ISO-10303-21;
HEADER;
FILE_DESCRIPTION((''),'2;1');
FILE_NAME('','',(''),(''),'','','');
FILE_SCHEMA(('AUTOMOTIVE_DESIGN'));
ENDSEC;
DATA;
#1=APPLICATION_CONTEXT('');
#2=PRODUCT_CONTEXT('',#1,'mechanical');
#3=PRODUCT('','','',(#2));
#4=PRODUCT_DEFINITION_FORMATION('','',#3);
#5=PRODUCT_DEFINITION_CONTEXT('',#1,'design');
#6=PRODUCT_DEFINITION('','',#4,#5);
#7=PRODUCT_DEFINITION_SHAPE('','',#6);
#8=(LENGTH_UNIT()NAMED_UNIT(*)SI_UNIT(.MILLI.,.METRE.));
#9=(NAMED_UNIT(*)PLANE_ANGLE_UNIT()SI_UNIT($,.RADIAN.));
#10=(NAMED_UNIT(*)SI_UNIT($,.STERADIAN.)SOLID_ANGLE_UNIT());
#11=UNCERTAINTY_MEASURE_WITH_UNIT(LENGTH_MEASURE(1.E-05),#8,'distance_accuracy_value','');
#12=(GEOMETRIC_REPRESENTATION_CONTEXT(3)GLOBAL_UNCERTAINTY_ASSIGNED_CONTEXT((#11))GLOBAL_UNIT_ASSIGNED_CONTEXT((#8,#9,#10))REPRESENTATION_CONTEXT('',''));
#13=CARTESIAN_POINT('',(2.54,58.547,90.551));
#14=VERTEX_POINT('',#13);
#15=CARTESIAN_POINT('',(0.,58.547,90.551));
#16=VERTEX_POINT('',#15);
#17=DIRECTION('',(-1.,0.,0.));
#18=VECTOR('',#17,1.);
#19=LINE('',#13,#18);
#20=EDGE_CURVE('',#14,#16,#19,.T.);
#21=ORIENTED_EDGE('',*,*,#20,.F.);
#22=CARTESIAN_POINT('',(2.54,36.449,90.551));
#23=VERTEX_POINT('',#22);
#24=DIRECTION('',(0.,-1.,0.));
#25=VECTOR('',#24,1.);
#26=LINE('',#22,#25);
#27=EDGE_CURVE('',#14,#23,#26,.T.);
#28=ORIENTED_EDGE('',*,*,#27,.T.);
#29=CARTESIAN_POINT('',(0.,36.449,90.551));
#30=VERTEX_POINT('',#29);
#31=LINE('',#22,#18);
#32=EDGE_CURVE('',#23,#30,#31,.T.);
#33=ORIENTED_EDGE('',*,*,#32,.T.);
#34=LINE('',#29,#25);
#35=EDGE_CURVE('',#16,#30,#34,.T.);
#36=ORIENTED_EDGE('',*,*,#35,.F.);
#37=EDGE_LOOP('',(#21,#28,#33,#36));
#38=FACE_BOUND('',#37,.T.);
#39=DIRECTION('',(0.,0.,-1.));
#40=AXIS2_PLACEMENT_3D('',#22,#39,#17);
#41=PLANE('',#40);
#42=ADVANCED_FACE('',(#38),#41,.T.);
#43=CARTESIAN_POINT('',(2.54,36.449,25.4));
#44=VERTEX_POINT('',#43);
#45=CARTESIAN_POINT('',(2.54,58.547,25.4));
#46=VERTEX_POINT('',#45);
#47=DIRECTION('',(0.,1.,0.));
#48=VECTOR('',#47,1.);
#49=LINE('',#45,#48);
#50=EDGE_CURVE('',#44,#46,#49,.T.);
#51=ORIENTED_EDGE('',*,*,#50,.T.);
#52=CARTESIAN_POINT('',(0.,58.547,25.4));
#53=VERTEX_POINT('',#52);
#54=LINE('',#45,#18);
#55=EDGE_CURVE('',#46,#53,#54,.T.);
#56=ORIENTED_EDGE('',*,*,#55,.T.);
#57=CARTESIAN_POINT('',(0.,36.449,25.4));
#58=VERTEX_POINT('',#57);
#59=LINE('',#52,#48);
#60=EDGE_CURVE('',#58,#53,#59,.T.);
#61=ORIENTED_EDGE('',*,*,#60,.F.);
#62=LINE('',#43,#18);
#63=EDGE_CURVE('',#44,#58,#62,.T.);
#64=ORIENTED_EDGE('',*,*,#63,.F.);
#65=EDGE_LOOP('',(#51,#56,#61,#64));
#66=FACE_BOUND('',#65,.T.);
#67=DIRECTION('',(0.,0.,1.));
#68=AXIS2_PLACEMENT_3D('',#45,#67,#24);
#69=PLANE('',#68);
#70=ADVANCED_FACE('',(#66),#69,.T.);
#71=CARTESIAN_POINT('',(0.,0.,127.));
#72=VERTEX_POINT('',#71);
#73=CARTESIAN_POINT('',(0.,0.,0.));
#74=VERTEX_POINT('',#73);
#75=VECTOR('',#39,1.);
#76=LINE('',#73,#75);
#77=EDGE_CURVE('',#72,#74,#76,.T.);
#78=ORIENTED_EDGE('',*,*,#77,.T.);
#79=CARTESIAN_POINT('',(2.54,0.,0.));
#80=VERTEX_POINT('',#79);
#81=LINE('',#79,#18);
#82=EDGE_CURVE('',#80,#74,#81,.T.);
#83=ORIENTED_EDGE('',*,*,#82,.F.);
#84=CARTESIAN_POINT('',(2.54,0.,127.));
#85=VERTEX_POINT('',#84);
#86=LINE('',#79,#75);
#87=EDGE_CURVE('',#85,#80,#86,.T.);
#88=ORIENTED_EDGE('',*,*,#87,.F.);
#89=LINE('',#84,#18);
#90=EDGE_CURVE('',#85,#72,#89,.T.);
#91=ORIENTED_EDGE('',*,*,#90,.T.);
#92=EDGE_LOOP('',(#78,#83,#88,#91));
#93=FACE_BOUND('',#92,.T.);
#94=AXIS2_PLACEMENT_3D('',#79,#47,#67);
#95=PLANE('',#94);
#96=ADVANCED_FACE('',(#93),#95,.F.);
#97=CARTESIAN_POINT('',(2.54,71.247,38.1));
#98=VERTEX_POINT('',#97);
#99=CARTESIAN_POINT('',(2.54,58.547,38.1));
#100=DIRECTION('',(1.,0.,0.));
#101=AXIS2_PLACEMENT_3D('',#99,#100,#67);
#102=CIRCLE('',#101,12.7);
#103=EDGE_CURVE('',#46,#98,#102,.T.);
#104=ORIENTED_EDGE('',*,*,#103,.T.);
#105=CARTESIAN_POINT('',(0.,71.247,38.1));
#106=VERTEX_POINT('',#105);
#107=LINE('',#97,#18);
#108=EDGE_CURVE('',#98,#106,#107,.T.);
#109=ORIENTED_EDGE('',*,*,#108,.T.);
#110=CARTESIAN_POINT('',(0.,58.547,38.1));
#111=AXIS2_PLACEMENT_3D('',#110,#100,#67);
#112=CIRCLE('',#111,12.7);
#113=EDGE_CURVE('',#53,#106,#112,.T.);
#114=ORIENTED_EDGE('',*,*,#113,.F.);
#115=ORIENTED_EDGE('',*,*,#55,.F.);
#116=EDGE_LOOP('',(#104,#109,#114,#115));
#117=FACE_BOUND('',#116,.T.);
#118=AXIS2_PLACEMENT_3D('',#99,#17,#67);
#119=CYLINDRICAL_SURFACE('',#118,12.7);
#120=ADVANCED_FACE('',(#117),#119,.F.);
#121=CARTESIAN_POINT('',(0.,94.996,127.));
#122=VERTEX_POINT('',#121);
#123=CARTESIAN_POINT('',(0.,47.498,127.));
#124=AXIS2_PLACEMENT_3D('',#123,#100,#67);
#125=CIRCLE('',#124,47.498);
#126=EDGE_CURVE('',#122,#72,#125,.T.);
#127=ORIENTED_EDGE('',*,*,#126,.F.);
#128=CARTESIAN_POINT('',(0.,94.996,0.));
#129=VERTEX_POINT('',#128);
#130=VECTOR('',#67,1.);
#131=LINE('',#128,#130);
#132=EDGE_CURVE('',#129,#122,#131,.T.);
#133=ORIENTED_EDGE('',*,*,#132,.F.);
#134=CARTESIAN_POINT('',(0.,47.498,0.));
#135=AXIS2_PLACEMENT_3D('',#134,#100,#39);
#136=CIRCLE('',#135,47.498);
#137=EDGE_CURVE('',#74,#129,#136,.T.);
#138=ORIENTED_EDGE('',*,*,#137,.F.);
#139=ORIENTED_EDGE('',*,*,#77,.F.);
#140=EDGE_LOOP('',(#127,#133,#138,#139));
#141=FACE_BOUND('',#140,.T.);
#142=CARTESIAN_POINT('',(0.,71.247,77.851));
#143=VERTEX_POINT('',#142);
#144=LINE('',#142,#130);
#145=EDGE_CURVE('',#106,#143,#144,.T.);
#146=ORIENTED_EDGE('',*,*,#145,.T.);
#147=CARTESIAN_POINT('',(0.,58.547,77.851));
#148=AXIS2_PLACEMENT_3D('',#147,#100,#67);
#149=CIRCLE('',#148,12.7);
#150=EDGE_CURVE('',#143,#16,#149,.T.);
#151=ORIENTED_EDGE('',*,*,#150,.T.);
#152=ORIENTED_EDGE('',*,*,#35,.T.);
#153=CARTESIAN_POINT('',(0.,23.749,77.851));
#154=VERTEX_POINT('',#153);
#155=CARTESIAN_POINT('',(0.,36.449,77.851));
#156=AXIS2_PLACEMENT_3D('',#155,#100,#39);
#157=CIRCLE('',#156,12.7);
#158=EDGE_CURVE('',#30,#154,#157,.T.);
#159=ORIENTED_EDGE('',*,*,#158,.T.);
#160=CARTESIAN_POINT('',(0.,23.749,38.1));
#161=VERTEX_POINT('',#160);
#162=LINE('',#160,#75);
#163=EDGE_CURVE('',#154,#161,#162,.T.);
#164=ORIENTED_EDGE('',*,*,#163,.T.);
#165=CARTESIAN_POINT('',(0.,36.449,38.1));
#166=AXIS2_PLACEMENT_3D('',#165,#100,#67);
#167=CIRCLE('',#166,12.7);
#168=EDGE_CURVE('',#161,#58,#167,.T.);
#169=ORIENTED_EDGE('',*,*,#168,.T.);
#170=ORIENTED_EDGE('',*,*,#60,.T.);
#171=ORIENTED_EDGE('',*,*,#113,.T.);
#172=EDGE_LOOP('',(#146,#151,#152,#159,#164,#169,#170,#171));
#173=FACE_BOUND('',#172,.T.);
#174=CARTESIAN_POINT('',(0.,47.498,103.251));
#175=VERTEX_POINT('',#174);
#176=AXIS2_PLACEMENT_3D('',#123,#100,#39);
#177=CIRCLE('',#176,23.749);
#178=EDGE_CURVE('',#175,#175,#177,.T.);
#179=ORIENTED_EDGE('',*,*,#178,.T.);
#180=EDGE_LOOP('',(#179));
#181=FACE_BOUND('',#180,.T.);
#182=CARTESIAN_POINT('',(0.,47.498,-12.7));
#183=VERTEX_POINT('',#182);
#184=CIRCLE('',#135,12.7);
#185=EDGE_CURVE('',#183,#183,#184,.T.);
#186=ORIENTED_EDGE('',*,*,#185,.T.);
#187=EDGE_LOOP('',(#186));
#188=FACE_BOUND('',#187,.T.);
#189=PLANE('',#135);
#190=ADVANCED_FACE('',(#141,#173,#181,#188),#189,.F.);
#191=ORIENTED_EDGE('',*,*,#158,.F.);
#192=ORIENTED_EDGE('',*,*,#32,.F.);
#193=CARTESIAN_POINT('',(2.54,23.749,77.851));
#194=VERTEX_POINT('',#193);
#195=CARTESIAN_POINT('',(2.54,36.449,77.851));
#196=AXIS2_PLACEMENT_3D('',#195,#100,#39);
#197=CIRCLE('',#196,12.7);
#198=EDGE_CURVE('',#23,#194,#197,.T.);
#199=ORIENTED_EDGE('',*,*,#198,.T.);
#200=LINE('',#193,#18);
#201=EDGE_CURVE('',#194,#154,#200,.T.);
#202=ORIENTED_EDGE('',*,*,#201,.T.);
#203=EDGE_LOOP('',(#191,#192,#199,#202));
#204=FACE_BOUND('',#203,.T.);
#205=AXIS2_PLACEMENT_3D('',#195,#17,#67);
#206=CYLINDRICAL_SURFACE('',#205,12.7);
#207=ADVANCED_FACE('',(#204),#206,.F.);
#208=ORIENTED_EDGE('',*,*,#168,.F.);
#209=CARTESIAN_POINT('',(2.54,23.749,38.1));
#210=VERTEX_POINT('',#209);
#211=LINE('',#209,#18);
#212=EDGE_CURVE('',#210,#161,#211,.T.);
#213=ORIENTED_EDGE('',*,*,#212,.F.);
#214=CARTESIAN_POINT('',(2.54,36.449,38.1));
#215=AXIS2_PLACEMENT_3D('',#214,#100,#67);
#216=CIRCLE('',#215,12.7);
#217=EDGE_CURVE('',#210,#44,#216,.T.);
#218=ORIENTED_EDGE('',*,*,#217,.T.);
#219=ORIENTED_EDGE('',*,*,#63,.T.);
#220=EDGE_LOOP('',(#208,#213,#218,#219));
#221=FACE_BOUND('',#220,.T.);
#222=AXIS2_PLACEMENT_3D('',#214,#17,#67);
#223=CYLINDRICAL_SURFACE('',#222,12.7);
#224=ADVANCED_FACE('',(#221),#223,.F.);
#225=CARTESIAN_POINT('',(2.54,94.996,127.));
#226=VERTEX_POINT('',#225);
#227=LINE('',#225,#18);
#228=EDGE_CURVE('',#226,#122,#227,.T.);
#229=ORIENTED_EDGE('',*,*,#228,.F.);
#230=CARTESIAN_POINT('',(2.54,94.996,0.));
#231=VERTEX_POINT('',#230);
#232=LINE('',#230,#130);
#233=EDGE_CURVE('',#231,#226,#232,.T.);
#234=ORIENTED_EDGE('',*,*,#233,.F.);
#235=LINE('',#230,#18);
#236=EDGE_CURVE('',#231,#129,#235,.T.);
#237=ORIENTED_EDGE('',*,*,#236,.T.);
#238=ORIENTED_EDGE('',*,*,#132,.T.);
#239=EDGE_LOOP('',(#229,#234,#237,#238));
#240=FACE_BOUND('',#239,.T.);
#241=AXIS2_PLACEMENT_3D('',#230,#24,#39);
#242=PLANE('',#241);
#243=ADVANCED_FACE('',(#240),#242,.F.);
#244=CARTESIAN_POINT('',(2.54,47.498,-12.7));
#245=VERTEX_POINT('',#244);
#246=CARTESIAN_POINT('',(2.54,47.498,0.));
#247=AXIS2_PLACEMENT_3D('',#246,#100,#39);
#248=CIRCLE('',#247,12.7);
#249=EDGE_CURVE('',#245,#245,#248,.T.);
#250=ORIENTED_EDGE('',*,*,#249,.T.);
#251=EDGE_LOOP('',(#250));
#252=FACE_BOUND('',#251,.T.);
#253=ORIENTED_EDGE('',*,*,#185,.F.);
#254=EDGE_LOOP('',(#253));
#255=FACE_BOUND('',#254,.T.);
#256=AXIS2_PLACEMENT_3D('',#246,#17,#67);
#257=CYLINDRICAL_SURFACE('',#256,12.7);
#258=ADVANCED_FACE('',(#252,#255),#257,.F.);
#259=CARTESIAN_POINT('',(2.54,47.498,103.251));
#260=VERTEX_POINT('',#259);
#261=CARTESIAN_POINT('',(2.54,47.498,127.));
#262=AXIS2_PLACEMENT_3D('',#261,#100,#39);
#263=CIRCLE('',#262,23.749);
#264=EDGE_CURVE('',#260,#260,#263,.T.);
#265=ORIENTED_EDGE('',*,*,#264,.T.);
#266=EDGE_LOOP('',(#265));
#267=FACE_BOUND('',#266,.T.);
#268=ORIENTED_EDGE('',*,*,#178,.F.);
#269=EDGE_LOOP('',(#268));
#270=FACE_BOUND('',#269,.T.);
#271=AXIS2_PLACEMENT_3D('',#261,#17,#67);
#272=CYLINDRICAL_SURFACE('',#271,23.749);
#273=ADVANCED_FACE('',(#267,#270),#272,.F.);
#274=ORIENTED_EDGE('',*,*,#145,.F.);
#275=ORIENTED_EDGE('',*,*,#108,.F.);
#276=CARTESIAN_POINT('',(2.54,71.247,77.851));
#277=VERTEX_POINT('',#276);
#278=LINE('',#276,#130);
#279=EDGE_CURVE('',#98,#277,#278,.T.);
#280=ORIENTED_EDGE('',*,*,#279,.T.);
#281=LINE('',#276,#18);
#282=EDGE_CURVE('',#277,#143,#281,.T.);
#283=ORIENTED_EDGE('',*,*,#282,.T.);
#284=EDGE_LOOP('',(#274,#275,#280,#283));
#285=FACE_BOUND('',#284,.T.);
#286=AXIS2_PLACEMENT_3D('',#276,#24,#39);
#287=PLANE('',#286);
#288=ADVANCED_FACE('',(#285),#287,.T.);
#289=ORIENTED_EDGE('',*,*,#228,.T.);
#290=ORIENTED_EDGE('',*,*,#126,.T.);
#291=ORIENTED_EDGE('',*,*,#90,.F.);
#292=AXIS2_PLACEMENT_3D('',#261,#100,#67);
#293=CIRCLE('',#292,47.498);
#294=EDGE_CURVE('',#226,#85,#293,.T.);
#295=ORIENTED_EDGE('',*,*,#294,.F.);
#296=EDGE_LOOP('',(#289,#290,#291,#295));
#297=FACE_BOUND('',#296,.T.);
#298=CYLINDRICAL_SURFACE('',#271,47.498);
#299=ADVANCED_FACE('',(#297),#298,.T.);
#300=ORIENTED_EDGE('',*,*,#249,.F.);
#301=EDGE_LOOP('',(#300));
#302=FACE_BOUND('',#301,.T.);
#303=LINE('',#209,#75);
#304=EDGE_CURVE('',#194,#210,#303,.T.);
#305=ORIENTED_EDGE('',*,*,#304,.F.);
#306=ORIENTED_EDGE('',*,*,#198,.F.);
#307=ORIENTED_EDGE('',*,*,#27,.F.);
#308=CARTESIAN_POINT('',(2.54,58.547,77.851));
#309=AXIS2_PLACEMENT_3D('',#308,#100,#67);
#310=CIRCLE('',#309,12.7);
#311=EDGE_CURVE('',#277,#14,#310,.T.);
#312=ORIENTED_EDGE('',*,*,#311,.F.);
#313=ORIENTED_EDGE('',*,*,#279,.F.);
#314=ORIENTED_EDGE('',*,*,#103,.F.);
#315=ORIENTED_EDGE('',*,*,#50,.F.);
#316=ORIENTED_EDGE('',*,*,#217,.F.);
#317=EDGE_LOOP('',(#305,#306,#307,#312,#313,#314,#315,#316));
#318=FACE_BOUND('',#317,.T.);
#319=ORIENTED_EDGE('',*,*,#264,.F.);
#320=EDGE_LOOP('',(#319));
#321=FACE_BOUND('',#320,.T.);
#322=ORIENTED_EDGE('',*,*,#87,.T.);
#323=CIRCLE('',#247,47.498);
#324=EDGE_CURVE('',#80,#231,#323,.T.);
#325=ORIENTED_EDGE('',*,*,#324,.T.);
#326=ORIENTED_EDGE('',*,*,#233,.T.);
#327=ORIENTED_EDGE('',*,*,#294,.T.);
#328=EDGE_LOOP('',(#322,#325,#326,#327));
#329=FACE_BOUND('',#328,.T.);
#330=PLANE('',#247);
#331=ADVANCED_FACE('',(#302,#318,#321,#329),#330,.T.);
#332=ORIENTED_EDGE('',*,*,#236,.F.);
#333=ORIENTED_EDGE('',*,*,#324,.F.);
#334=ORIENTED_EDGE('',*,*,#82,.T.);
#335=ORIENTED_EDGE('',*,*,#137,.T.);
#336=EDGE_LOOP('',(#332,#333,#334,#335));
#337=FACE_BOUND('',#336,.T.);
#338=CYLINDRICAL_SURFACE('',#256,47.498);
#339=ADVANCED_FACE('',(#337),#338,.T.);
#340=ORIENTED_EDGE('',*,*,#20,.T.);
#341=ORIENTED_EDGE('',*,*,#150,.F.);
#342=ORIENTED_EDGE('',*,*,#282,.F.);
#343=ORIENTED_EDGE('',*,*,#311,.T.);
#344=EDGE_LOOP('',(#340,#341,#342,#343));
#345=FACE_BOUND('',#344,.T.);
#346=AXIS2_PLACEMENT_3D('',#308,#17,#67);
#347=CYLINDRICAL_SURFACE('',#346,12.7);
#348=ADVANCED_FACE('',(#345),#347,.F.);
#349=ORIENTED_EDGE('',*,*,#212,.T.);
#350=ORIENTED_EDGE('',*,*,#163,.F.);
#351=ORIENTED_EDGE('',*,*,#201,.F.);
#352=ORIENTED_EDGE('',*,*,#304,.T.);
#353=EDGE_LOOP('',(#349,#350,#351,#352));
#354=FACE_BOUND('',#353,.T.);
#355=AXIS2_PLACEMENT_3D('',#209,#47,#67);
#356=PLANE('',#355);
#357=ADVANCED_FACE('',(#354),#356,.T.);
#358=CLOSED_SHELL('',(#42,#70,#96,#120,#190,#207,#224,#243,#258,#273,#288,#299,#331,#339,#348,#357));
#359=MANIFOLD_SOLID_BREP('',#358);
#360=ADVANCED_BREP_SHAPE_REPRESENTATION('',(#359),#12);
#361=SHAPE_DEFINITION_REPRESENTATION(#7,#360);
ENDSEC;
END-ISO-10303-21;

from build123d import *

# Parameters (mm, degrees)
SKETCH1_R           = 12.7
SKETCH1_R_2         = 23.749
BOSS_EXTRUDE2_DEPTH = 2.54


with BuildPart() as part:
    # Sketch1 → Boss-Extrude2 (new body)
    with BuildSketch(Plane.YZ):
        with BuildLine():
            Line((0, 0), (0, 127))
            ThreePointArc((0, 127), (47.498, 174.498), (94.996, 127))
            Line((94.996, 127), (94.996, 0))
            ThreePointArc((94.996, 0), (47.498, -47.498), (0, 0))
        make_face()
        with Locations(Location((47.498, 0, 0), (0, 0, 270))):
            Circle(SKETCH1_R, mode=Mode.SUBTRACT)
        with Locations(Location((47.498, 127, 0), (0, 0, 270))):
            Circle(SKETCH1_R_2, mode=Mode.SUBTRACT)
        with BuildLine():
            Line((36.449, 90.551), (58.547, 90.551))
            ThreePointArc((58.547, 90.551), (67.527256121, 86.831256121), (71.247, 77.851))
            Line((71.247, 77.851), (71.247, 38.1))
            ThreePointArc((71.247, 38.1), (67.527256121, 29.119743879), (58.547, 25.4))
            Line((58.547, 25.4), (36.449, 25.4))
            ThreePointArc((36.449, 25.4), (27.468743879, 29.119743879), (23.749, 38.1))
            Line((23.749, 38.1), (23.749, 77.851))
            ThreePointArc((23.749, 77.851), (27.468743879, 86.831256121), (36.449, 90.551))
        make_face(mode=Mode.SUBTRACT)
    extrude(amount=BOSS_EXTRUDE2_DEPTH)


solid = part.part
